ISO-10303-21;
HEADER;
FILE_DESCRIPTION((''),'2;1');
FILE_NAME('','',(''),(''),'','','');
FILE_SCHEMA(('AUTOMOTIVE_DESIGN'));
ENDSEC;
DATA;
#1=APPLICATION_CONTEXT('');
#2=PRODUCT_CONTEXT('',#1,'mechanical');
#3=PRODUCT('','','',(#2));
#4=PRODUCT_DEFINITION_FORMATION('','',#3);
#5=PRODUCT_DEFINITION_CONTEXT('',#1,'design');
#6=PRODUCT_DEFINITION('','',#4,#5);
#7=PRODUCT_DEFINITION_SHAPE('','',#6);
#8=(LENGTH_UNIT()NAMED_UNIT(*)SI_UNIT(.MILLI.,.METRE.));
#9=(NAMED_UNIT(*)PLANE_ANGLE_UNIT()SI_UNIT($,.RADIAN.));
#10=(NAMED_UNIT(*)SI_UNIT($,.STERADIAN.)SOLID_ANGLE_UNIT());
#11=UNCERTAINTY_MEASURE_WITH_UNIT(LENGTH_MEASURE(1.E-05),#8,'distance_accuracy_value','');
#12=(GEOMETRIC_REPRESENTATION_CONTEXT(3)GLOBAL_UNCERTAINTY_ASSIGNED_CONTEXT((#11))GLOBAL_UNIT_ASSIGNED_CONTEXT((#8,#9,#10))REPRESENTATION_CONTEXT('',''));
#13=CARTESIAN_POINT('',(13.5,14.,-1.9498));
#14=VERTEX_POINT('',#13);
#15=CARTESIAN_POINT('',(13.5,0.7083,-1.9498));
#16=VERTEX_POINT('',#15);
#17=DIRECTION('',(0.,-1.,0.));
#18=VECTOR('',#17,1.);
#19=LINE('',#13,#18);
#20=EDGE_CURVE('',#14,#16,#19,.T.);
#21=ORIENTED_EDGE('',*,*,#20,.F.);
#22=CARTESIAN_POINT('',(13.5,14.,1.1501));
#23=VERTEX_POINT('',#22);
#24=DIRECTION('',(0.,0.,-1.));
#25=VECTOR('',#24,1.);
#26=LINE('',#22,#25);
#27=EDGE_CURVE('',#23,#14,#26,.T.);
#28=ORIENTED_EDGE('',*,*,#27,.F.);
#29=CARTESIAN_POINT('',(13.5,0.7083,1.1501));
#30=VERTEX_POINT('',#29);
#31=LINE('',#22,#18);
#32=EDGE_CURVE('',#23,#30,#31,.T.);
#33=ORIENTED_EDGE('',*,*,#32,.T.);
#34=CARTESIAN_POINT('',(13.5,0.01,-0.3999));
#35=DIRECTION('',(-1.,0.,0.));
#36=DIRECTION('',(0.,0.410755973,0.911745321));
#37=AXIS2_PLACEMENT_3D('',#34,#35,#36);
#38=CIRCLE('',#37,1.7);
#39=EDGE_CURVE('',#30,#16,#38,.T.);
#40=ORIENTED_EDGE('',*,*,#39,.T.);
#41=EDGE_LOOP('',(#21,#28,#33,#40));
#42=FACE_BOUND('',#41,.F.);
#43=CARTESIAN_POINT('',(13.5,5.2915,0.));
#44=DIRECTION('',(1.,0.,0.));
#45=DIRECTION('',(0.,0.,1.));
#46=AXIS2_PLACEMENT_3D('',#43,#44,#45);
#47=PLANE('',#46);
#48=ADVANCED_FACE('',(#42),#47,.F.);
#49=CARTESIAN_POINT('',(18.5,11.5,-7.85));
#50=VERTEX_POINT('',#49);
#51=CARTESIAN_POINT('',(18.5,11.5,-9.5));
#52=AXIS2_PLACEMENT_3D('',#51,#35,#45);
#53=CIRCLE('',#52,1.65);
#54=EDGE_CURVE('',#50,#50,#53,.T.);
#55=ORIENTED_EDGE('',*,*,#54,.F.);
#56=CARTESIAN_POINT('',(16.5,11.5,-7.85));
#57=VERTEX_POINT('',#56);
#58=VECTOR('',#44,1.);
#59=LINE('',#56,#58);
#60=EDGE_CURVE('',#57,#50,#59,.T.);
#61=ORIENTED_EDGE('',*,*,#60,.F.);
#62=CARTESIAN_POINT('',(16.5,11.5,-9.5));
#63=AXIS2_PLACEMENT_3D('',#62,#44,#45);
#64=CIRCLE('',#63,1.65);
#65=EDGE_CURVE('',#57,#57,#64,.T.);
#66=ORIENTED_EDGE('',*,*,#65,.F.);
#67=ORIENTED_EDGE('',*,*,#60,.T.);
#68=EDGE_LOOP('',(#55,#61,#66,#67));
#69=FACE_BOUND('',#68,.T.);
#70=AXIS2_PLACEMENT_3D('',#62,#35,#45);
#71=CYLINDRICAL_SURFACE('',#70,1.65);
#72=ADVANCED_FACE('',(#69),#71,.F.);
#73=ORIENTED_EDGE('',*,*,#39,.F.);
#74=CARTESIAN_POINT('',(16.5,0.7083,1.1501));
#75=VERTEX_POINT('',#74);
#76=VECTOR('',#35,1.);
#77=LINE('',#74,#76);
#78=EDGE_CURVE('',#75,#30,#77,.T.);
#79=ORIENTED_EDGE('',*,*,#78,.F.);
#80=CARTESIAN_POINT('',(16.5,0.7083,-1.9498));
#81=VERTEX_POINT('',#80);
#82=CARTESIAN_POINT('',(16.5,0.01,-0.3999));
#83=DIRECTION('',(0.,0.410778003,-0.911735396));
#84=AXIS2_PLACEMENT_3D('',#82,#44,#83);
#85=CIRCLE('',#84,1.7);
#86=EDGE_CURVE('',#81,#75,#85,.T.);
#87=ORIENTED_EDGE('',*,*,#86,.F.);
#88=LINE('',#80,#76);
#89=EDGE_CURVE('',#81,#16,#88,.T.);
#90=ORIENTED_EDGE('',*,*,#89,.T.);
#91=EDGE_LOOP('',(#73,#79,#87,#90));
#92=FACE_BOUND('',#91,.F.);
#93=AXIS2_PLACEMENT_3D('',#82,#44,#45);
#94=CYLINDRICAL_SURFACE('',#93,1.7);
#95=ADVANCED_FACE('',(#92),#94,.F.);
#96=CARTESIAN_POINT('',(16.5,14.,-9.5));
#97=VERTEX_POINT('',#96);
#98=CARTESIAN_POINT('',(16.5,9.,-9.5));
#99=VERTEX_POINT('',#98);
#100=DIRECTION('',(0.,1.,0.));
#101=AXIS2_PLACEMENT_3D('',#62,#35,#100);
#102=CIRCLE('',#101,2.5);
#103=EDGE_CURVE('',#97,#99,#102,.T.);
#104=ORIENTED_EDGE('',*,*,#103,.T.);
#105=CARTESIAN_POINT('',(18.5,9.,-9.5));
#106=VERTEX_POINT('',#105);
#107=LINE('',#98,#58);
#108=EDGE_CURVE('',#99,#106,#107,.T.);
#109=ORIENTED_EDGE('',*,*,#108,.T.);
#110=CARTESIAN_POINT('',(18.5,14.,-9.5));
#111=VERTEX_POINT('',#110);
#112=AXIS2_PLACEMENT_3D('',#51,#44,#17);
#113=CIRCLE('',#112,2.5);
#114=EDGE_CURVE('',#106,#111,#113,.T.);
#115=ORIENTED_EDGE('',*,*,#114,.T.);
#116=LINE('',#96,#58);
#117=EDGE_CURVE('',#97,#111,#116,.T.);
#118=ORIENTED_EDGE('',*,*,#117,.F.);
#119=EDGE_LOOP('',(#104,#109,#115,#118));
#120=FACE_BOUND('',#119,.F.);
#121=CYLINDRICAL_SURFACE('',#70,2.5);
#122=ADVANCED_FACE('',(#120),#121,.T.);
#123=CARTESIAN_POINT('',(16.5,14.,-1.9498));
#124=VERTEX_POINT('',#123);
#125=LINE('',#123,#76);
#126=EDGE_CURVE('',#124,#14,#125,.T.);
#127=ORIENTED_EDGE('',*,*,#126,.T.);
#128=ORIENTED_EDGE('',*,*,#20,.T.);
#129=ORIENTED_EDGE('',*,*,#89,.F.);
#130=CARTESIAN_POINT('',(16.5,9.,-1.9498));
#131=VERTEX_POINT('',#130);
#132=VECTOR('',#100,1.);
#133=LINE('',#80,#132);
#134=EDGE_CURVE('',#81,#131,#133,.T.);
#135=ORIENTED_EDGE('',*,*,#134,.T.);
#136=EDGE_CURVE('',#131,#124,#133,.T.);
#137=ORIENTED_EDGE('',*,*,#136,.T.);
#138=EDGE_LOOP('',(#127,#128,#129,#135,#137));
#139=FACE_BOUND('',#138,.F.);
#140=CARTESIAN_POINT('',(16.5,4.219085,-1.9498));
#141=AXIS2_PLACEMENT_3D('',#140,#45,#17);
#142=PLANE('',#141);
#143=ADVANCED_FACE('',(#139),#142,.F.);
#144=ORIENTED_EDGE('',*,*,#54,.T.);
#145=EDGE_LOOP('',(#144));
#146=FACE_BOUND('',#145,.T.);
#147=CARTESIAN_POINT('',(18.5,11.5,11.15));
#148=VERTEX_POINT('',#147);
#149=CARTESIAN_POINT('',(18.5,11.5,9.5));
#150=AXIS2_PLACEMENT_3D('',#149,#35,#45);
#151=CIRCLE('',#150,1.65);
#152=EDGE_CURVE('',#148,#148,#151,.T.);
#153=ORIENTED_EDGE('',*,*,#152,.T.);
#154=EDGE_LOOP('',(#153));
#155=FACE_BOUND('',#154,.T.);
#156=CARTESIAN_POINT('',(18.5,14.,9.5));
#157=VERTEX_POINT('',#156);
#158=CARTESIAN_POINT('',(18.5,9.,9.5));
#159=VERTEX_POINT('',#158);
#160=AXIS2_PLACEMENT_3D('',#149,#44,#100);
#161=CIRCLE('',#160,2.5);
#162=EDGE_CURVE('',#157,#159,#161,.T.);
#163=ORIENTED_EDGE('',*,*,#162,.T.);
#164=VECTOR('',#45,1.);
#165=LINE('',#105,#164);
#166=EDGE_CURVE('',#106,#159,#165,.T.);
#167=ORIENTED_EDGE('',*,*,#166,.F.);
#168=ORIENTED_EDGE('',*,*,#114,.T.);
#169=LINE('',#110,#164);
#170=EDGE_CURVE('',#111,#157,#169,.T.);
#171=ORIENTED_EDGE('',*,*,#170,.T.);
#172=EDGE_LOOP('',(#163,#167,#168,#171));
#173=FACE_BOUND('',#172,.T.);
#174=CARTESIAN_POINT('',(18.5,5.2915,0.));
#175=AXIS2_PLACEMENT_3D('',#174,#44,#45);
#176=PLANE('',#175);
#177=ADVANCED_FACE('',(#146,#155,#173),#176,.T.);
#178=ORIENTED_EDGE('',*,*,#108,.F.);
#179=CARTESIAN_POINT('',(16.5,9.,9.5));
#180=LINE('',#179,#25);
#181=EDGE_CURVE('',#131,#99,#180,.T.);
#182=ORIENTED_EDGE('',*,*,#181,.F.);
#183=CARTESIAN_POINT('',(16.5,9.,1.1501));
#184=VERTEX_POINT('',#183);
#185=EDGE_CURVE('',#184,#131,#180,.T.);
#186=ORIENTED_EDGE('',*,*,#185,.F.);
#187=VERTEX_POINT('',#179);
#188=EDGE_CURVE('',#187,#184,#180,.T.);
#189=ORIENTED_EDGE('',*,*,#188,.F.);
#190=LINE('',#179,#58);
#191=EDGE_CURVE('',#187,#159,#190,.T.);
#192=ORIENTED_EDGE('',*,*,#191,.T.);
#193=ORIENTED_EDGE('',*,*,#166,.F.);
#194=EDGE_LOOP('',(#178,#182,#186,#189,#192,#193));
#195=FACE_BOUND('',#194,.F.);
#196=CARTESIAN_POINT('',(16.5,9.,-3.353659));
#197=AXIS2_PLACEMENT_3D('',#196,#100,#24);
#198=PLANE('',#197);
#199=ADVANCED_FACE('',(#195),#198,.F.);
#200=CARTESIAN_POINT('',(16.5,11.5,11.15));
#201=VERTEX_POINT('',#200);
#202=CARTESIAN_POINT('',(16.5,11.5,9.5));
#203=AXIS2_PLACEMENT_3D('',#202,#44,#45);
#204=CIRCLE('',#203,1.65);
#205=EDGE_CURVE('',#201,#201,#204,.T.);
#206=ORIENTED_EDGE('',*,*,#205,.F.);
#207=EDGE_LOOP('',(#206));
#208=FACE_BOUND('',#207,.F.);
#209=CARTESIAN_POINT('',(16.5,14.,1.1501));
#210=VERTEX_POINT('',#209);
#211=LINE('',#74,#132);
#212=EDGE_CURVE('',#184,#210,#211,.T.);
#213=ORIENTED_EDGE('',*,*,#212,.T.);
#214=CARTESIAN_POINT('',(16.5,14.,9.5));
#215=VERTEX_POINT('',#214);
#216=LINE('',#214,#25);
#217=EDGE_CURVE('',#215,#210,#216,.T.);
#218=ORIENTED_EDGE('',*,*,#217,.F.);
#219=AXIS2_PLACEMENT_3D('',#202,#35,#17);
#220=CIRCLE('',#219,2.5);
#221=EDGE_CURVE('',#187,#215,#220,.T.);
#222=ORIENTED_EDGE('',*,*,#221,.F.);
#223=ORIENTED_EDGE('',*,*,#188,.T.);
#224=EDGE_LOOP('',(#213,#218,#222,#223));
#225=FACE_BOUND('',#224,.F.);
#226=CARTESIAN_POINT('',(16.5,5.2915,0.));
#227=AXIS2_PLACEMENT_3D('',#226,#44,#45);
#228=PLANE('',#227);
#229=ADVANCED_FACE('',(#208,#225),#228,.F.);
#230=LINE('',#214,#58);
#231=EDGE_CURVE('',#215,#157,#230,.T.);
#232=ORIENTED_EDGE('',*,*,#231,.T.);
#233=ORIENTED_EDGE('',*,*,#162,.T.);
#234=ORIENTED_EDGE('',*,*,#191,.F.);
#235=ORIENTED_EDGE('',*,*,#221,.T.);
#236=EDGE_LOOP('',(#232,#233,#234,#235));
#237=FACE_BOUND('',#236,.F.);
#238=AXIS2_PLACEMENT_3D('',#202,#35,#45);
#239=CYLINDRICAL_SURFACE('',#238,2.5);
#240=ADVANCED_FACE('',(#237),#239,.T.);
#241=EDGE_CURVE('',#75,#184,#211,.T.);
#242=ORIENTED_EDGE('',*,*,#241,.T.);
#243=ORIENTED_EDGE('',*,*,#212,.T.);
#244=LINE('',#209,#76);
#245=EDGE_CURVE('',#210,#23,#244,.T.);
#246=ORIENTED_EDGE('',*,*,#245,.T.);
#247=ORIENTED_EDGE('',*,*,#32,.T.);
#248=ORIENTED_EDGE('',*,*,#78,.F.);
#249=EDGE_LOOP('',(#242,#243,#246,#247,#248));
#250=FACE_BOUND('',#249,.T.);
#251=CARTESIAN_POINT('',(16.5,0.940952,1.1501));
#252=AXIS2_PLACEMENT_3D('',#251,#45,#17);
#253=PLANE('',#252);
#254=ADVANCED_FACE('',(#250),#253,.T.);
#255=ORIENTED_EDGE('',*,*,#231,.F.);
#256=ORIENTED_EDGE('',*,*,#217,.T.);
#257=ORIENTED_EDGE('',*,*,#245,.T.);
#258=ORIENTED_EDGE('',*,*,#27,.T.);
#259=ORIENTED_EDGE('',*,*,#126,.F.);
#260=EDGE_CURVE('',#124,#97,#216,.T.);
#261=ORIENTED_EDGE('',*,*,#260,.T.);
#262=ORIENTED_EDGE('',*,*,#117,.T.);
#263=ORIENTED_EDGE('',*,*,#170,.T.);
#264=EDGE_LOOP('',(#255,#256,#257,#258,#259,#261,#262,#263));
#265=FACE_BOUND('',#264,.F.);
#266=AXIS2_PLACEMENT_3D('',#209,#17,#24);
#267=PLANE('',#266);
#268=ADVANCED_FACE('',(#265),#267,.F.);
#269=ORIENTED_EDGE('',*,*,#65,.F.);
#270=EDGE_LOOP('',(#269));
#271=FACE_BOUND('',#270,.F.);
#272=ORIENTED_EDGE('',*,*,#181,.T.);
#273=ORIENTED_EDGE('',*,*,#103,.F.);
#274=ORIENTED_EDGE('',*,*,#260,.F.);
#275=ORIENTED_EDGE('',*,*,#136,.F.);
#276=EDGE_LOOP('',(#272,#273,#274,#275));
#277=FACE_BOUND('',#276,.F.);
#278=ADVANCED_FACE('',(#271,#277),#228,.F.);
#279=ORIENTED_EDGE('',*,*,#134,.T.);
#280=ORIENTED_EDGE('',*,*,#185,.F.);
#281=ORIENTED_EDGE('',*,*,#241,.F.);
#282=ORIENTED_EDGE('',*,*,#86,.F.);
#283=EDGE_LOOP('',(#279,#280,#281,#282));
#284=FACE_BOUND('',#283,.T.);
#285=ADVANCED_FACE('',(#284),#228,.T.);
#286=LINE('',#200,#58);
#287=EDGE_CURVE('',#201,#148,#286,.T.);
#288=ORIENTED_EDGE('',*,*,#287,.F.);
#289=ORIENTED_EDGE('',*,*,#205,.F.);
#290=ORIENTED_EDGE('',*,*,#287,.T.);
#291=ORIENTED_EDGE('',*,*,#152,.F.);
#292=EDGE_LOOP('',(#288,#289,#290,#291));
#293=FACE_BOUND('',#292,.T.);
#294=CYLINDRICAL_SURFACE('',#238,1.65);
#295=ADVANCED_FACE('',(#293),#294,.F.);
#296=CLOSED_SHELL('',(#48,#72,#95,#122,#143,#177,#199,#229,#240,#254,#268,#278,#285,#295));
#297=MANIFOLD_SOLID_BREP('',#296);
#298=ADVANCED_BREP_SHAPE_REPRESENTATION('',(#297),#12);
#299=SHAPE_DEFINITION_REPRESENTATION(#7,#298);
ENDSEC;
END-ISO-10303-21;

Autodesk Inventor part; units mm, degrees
ref_plane "YZ Plane" through (0, 0, 0) normal (1, 0, 0) x (0, 1, 0)
ref_plane "XZ Plane" through (0, 0, 0) normal (0, 1, 0) x (-1, 0, 0)
ref_plane "XY Plane" through (0, 0, 0) normal (0, 0, 1) x (1, 0, 0)
sketch "スケッチ2" plane through (0, 0, 0) normal (0, 1, 0) x (-1, 0, 0)
  line L0 (-32.5, -11.25) -> (32.5, -11.25)
  line L1 (32.5, -11.25) -> (32.5, 11.25)
  line L2 (32.5, 11.25) -> (-32.5, 11.25)
  line L3 (-32.5, 11.25) -> (-32.5, -11.25)
  line L4 (-32.5, -11.25) -> (32.5, 11.25) construction
  line L5 (32.5, -11.25) -> (-32.5, 11.25) construction
  line L6 (-30, -8.75) -> (30, -8.75)
  line L7 (30, -8.75) -> (30, 8.75)
  line L8 (30, 8.75) -> (-30, 8.75)
  line L9 (-30, 8.75) -> (-30, -8.75)
  line L10 (-30, -8.75) -> (30, 8.75) construction
  line L11 (30, -8.75) -> (-30, 8.75) construction
  circle A0 centre (30, 8.75) radius 2.5
  circle A1 centre (30, -8.75) radius 2.5
  circle A2 centre (-30, 8.75) radius 2.5
  circle A3 centre (-30, -8.75) radius 2.5
  line L12 (-115, -18.25) -> (115, -18.25)
  line L13 (115, -18.25) -> (115, 18.25)
  line L14 (115, 18.25) -> (-115, 18.25)
  line L15 (-115, 18.25) -> (-115, -18.25)
  line L16 (-115, -18.25) -> (115, 18.25) construction
  line L17 (115, -18.25) -> (-115, 18.25) construction
  line L18 (-95, -18.25) -> (95, -18.25)
  line L19 (95, -18.25) -> (95, 18.25)
  line L20 (95, 18.25) -> (-95, 18.25)
  line L21 (-95, 18.25) -> (-95, -18.25)
  line L22 (-95, -18.25) -> (95, 18.25) construction
  line L23 (95, -18.25) -> (-95, 18.25) construction
  point P0 (0, 0)
  dimension "d10" = 65
  dimension "d11" = 22.5
  dimension "d12" = 60
  dimension "d13" = 17.5
  dimension "d14" = 230
  dimension "d15" = 36.5
  dimension "d16" = 190
sketch "スケッチ4" plane through (0, 0, 0) normal (1, 0, 0) x (0, 1, 0)
  point P0 (0, 0)
sketch "スケッチ5" plane through (0, 0, 0) normal (1, 0, 0) x (0, 1, 0)
  circle A0 centre (0, 0) radius 18.25
  line L0 (0, 0) -> (0, 6)
  line L1 (0, 6) -> (0, -6)
  circle A1 centre (0, 6) radius 3
  circle A2 centre (0, -6) radius 9
  circle A3 centre (0, 6) radius 9
  circle A4 centre (0, -6) radius 3
  line L2 (0, 6) -> (5.2915, 0)
  circle A5 centre (5.2915, 0) radius 5
  circle A6 centre (5.2915, 0) radius 4.5
  circle A7 centre (5.2915, 0) radius 5.5
  line L3 (0, 0) -> (0, 11.25)
  line L4 (0, 11.25) -> (0, -11.25)
  line L5 (5.2915, 5.5) -> (5.2915, -5.5)
  line L6 (0, 11.25) -> (-1.2, 11.25)
  line L7 (-1.2, 11.25) -> (-1.2, -11.25)
  line L8 (-1.2, -11.25) -> (0, -11.25)
  line L9 (-1.2, 11.25) -> (-9.2, 11.25)
  line L10 (-1.2, -11.25) -> (-9.2, -11.25)
  line L11 (-9.2, -11.25) -> (-9.2, 11.25)
  line L12 (-9.2, 11.25) -> (-10.4, 11.25)
  line L13 (-10.4, 11.25) -> (-10.4, -11.25)
  line L14 (-10.4, -11.25) -> (-9.2, -11.25)
  circle A8 centre (0, 0) radius 16
  line L15 (0, 11.25) -> (1.5, 11.25)
  line L16 (1.5, 11.25) -> (1.5, -11.25)
  line L17 (1.5, -11.25) -> (0, -11.25)
  line L18 (5.2915, 5.5) -> (1.5, 5.5)
  line L19 (5.2915, -5.5) -> (1.5, -5.5)
  circle A9 centre (5.2915, 0) radius 6.6802
  point P0 (0, 1.5)
  point P1 (0, -1.5)
  point P2 (1.5, -3.9843)
  point P3 (1.5, 3.9843)
  dimension "d28" = 36.5
  dimension "d29" = 6
  dimension "d30" = 12
  dimension "d31" = 6
  dimension "d32" = 18
  dimension "d33" = 8
  dimension "d34" = 9
  dimension "d35" = 11
  dimension "d36" = 11.25
  dimension "d37" = 22.5
  dimension "d39" = 1.2
  dimension "d40" = 8
  dimension "d41" = 1.2
  dimension "d42" = 32
  dimension "d43" = 1.5
ref_plane "作業平面1" through (16.5, 5.2915, 0) normal (1, 0, 0) x (0, 0, 1)
sketch "スケッチ6" plane through (16.5, 5.2915, 0) normal (1, 0, 0) x (0, 0, 1)
  line L0 (0, 5.2915) -> (6, 5.2915)
  line L1 (-11.25, 5.2915) -> (11.25, 5.2915) projected
  line L2 (6, 5.2915) -> (-6, 5.2915)
  circle A0 centre (6, 5.2915) radius 1.25
  circle A1 centre (-6, 5.2915) radius 1.25
  circle A2 centre (0, 5.2915) radius 16
  circle A3 centre (0, 0) radius 5
  line L3 (0, 0) -> (0, 3)
  line L4 (0, 3) -> (0, -5.5)
  line L5 (0, 3) -> (1, 3)
  line L6 (1, 3) -> (-1, 3)
  line L7 (-1, 3) -> (-1, -5.4083)
  line L8 (1, 3) -> (1, -5.4083)
  circle A4 centre (6, 5.2915) radius 9
  circle A5 centre (-6, 5.2915) radius 9
  line L9 (0, 5.2915) -> (0, -2.7085)
  circle A6 centre (0, -2.7085) radius 8
  circle A7 centre (6, 5.2915) radius 10
  circle A8 centre (-6, 5.2915) radius 10
  line L10 (0, 5.2915) -> (0, -5.7085)
  line L11 (0, -5.7085) -> (-11.619, -5.7085)
  line L12 (0, -5.7085) -> (11.619, -5.7085)
  line L13 (0, -5.7085) -> (9.5, -5.7085)
  line L14 (9.5, -5.7085) -> (-9.5, -5.7085)
  circle A9 centre (0, 5.2915) radius 18
  line L15 (1, -5.4083) -> (1, -8.2085)
  line L16 (-1, -5.4083) -> (-1, -8.2085)
  line L17 (0, 5.2915) -> (0, 6.4915)
  line L18 (0, 6.4915) -> (0, 14.4915)
  line L19 (0, 14.4915) -> (0, 15.6915)
  line L20 (0, 15.6915) -> (-11.25, 15.6915)
  line L21 (-11.25, 15.6915) -> (11.25, 15.6915)
  line L22 (11.25, 15.6915) -> (11.25, 14.4915)
  line L23 (11.25, 14.4915) -> (0, 14.4915)
  line L24 (-11.25, 14.4915) -> (-11.25, 15.6915)
  line L25 (0, 14.4915) -> (-11.25, 14.4915)
  line L26 (0, 15.6915) -> (8.75, 15.6915)
  line L27 (8.75, 15.6915) -> (-8.75, 15.6915)
  line L28 (11.25, 15.6915) -> (11.25, 17.1915)
  line L29 (11.25, 17.1915) -> (-11.25, 17.1915)
  line L30 (-11.25, 17.1915) -> (-11.25, 15.6915)
  line L31 (6, 17.1915) -> (6, 18.6915)
  line L32 (-6, 17.1915) -> (-6, 18.6915)
  circle A10 centre (6, 18.6915) radius 2.5
  circle A11 centre (-6, 18.6915) radius 2.5
  line L33 (6, 21.1915) -> (-6, 21.1915)
  line L34 (9.5, -5.7085) -> (12, -5.7085)
  line L35 (-9.5, -5.7085) -> (-12, -5.7085)
  line L36 (6, 18.6915) -> (8.5, 18.6915)
  line L37 (-6, 18.6915) -> (-8.5, 18.6915)
  circle A12 centre (0, 0) radius 4.5
  circle A13 centre (-6, 5.2915) radius 1.5
  circle A14 centre (6, 5.2915) radius 1.5
  circle A15 centre (6, 18.6915) radius 1.65
  circle A16 centre (-6, 18.6915) radius 1.65
  line L38 (9.5, -5.7085) -> (9.5, -6.2085)
  line L39 (9.5, -6.2085) -> (-9.5, -6.2085)
  line L40 (-9.5, -6.2085) -> (-9.5, -5.7085)
  circle A17 centre (-9.5, -6.2085) radius 1.65
  circle A18 centre (9.5, -6.2085) radius 1.65
  circle A19 centre (9.5, -6.2085) radius 2.5
  circle A20 centre (-9.5, -6.2085) radius 2.5
  line L41 (-12, -6.2085) -> (-8.5, 18.6915)
  line L42 (12, -6.2085) -> (8.5, 18.6915)
  line L43 (9.5, -8.7085) -> (-9.5, -8.7085)
  line L44 (1, -8.7085) -> (1, -8.0358)
  line L45 (-1, -8.7085) -> (-1, -8.2085)
  line L46 (0, 5.2915) -> (-0.3999, 5.2815)
  circle A21 centre (-0.3999, 5.2815) radius 1.7
  line L47 (1.3001, 5.2915) -> (1.3001, -8.7085)
  line L48 (-2.0998, 5.2915) -> (-2.0998, -8.7085)
  line L49 (1.3001, -8.7085) -> (1.1501, -8.7085)
  line L50 (1.1501, -8.7085) -> (1.1501, 4.5832)
  line L51 (-2.0998, -8.7085) -> (-1.9498, -8.7085)
  line L52 (-1.9498, -8.7085) -> (-1.9498, 4.5832)
  line L53 (9.5, -3.7085) -> (-9.5, -3.7085)
  point P0 (1, -4.3875)
  point P1 (-1, -4.3875)
  point P2 (-4.4567, 20.6583)
  point P3 (-8.495, 18.8501)
  point P4 (4.4567, 20.6583)
  point P5 (8.495, 18.8501)
  point P6 (1.7861, 21.1915)
  point P7 (-1.7861, 21.1915)
  point P8 (11.9031, -5.5193)
  point P9 (11.8759, -5.4306)
  point P10 (11.8887, -5.4164)
  point P11 (1.2974, 5.1856)
  point P12 (1.3001, 5.1852)
  point P13 (-11.8759, -5.4306)
  point P14 (-11.0724, -5.7085)
  point P15 (-11.1498, -6.1838)
  point P16 (-11.9297, -5.7085)
  dimension "d54" = 6
  dimension "d55" = 12
  dimension "d56" = 2.5
  dimension "d57" = 2.5
  dimension "d58" = 32
  dimension "d59" = 10
  dimension "d60" = 3
  dimension "d61" = 1
  dimension "d62" = 2
  dimension "d65" = 18
  dimension "d66" = 18
  dimension "d67" = 8
  dimension "d68" = 11
  dimension "d69" = 9.5
  dimension "d70" = 19
  dimension "d73" = 36
  dimension "d76" = 1.2
  dimension "d77" = 8
  dimension "d78" = 1.2
  dimension "d79" = 8.75
  dimension "d80" = 17.5
  dimension "d81" = 1.5
  dimension "d82" = 1.5
  dimension "d83" = 5
  dimension "d84" = 5
  dimension "d97" = 3
  dimension "d98" = 3
  dimension "d109" = 3.3
  dimension "d110" = 3.3
  dimension "d111" = 0.5
  dimension "d112" = 3.3
  dimension "d113" = 3.3
  dimension "d114" = 5
  dimension "d115" = 5
  dimension "d125" = 0.4
  dimension "d126" = 3.4
  dimension "d127" = 0.15
  dimension "d128" = 0.15
extrude "押し出し12" add sketch "スケッチ6" against normal blind 3 contours L50 A12 A21 | A21 A12 L52 | A21 A12 L50 A5 L8 L5 L9 | L9 L6 L7 A4 L52 A12 A21 | L5 L8 A5 L4 L3 | L3 L4 A4 L7 L6 | L50 A8 L8 A5 | A4 L7 A7 L52 | L8 A8 A4 A5 | L50 A4 L8 A8 | A4 A5 A7 L7 | A7 L7 A5 L52 | A4 A8 L4 | L4 A7 A5 | L8 A4 A8 | L50 A7 L8 A4 | A7 A5 L7 | A5 L7 A8 L53 L52 | A7 L8 L53 L4 | A8 L7 A5 A7 | A8 A4 L8 A7 | L4 L53 L7 A8 | L50 L53 L8 A7 | L53 A8 L52 | L53 L8 A12 L4 | L4 A12 L7 L53 | L7 L53 A8 | L50 A12 L8 L53 | A8 L53 L7 A12 L52 | A12 L8 A3 L4 | L4 A3 L7 A12 | L52 A12 L7 A3 | A3 L7 L16 L11 L52 | L50 A3 L8 A12 | L4 L10 L11 L16 L7 A3 | A3 L8 L15 L12 L10 L4 | L50 L12 L15 L8 A3 | L11 L16 L39 L52 | L50 L39 L15 L12 | L11 L12 L15 L39 L16 | L39 L16 L45 L43 L52 | L50 L43 L44 L15 L39 | L39 L15 L44 L43 L45 L16
extrude "押し出し13" add sketch "スケッチ6" along normal blind 2 contours L53 A3 A8 A20 A6 | A6 A20 L53 | L53 A6 A19 A7 A3 | L53 A19 A6 | L53 A12 A8 A3 | A20 A8 A6 | A6 A8 A20 | A3 A7 A12 L53 | A19 A7 A6 | A6 A7 A19 | A8 A6 L11 A17 A2 A20 | A8 A12 L48 A3 | A3 L48 L11 A20 A8 | L53 L48 A8 A12 | A8 A20 L11 A6 | L53 L52 A8 L48 | L53 A8 L52 | L53 L8 A12 L4 | L4 A12 L7 L53 | A7 A19 L12 L47 A3 | A3 L47 A12 A7 | A12 A7 L53 | A19 A2 L12 A18 A6 A7 | A6 L12 A19 A7 | A7 A12 L47 L53 | L47 A12 L50 L53 | A2 L35 L41 A20 | L41 L35 A20 | L48 A12 L52 A3 | A3 L52 L11 L48 | A8 L48 A12 | L11 A20 L39 A6 | A6 L39 A17 L11 | L11 L48 L39 A20 | A8 L52 A12 L48 | L50 A12 L8 L53 | A8 L53 L7 A12 L52 | A12 L8 A3 L4 | L4 A3 L7 A12 | L47 L12 L50 A3 | A3 L50 A12 L47 | A19 L42 L34 A2 | A19 L34 L42 | L12 A18 L39 A6 | A6 L39 A19 L12 | A19 L39 L47 L12 | L11 A17 A2 | A2 A17 A20 L41 L35 | L35 L41 A20 | L52 A12 L7 A3 | A3 L7 L16 L11 L52 | L11 L52 L39 L48 | L39 A20 A6 | A6 A20 A2 A17 L39 | L39 L48 L43 A6 A20 | L50 A3 L8 A12 | L4 L10 L11 L16 L7 A3 | A3 L8 L15 L12 L10 L4 | L50 L12 L15 L8 A3 | L47 L39 L50 L12 | L34 L42 A19 A2 A18 | A2 A18 L12 | A19 L42 L34 | L39 A18 A2 A19 A6 | A6 A19 L39 | A19 A6 L43 L47 L39 | L11 L16 L39 L52 | L39 L52 L43 L48 | A6 L43 A2 A20 | L50 L39 L15 L12 | L47 L43 L50 L39 | A19 A2 L43 A6 | A20 A2 L43 | L11 L12 L15 L39 L16 | L39 L16 L45 L43 L52 | L50 L43 L44 L15 L39 | L43 A2 A19 | L39 L15 L44 L43 L45 L16
properties part number "ikafly1b0.8b"
